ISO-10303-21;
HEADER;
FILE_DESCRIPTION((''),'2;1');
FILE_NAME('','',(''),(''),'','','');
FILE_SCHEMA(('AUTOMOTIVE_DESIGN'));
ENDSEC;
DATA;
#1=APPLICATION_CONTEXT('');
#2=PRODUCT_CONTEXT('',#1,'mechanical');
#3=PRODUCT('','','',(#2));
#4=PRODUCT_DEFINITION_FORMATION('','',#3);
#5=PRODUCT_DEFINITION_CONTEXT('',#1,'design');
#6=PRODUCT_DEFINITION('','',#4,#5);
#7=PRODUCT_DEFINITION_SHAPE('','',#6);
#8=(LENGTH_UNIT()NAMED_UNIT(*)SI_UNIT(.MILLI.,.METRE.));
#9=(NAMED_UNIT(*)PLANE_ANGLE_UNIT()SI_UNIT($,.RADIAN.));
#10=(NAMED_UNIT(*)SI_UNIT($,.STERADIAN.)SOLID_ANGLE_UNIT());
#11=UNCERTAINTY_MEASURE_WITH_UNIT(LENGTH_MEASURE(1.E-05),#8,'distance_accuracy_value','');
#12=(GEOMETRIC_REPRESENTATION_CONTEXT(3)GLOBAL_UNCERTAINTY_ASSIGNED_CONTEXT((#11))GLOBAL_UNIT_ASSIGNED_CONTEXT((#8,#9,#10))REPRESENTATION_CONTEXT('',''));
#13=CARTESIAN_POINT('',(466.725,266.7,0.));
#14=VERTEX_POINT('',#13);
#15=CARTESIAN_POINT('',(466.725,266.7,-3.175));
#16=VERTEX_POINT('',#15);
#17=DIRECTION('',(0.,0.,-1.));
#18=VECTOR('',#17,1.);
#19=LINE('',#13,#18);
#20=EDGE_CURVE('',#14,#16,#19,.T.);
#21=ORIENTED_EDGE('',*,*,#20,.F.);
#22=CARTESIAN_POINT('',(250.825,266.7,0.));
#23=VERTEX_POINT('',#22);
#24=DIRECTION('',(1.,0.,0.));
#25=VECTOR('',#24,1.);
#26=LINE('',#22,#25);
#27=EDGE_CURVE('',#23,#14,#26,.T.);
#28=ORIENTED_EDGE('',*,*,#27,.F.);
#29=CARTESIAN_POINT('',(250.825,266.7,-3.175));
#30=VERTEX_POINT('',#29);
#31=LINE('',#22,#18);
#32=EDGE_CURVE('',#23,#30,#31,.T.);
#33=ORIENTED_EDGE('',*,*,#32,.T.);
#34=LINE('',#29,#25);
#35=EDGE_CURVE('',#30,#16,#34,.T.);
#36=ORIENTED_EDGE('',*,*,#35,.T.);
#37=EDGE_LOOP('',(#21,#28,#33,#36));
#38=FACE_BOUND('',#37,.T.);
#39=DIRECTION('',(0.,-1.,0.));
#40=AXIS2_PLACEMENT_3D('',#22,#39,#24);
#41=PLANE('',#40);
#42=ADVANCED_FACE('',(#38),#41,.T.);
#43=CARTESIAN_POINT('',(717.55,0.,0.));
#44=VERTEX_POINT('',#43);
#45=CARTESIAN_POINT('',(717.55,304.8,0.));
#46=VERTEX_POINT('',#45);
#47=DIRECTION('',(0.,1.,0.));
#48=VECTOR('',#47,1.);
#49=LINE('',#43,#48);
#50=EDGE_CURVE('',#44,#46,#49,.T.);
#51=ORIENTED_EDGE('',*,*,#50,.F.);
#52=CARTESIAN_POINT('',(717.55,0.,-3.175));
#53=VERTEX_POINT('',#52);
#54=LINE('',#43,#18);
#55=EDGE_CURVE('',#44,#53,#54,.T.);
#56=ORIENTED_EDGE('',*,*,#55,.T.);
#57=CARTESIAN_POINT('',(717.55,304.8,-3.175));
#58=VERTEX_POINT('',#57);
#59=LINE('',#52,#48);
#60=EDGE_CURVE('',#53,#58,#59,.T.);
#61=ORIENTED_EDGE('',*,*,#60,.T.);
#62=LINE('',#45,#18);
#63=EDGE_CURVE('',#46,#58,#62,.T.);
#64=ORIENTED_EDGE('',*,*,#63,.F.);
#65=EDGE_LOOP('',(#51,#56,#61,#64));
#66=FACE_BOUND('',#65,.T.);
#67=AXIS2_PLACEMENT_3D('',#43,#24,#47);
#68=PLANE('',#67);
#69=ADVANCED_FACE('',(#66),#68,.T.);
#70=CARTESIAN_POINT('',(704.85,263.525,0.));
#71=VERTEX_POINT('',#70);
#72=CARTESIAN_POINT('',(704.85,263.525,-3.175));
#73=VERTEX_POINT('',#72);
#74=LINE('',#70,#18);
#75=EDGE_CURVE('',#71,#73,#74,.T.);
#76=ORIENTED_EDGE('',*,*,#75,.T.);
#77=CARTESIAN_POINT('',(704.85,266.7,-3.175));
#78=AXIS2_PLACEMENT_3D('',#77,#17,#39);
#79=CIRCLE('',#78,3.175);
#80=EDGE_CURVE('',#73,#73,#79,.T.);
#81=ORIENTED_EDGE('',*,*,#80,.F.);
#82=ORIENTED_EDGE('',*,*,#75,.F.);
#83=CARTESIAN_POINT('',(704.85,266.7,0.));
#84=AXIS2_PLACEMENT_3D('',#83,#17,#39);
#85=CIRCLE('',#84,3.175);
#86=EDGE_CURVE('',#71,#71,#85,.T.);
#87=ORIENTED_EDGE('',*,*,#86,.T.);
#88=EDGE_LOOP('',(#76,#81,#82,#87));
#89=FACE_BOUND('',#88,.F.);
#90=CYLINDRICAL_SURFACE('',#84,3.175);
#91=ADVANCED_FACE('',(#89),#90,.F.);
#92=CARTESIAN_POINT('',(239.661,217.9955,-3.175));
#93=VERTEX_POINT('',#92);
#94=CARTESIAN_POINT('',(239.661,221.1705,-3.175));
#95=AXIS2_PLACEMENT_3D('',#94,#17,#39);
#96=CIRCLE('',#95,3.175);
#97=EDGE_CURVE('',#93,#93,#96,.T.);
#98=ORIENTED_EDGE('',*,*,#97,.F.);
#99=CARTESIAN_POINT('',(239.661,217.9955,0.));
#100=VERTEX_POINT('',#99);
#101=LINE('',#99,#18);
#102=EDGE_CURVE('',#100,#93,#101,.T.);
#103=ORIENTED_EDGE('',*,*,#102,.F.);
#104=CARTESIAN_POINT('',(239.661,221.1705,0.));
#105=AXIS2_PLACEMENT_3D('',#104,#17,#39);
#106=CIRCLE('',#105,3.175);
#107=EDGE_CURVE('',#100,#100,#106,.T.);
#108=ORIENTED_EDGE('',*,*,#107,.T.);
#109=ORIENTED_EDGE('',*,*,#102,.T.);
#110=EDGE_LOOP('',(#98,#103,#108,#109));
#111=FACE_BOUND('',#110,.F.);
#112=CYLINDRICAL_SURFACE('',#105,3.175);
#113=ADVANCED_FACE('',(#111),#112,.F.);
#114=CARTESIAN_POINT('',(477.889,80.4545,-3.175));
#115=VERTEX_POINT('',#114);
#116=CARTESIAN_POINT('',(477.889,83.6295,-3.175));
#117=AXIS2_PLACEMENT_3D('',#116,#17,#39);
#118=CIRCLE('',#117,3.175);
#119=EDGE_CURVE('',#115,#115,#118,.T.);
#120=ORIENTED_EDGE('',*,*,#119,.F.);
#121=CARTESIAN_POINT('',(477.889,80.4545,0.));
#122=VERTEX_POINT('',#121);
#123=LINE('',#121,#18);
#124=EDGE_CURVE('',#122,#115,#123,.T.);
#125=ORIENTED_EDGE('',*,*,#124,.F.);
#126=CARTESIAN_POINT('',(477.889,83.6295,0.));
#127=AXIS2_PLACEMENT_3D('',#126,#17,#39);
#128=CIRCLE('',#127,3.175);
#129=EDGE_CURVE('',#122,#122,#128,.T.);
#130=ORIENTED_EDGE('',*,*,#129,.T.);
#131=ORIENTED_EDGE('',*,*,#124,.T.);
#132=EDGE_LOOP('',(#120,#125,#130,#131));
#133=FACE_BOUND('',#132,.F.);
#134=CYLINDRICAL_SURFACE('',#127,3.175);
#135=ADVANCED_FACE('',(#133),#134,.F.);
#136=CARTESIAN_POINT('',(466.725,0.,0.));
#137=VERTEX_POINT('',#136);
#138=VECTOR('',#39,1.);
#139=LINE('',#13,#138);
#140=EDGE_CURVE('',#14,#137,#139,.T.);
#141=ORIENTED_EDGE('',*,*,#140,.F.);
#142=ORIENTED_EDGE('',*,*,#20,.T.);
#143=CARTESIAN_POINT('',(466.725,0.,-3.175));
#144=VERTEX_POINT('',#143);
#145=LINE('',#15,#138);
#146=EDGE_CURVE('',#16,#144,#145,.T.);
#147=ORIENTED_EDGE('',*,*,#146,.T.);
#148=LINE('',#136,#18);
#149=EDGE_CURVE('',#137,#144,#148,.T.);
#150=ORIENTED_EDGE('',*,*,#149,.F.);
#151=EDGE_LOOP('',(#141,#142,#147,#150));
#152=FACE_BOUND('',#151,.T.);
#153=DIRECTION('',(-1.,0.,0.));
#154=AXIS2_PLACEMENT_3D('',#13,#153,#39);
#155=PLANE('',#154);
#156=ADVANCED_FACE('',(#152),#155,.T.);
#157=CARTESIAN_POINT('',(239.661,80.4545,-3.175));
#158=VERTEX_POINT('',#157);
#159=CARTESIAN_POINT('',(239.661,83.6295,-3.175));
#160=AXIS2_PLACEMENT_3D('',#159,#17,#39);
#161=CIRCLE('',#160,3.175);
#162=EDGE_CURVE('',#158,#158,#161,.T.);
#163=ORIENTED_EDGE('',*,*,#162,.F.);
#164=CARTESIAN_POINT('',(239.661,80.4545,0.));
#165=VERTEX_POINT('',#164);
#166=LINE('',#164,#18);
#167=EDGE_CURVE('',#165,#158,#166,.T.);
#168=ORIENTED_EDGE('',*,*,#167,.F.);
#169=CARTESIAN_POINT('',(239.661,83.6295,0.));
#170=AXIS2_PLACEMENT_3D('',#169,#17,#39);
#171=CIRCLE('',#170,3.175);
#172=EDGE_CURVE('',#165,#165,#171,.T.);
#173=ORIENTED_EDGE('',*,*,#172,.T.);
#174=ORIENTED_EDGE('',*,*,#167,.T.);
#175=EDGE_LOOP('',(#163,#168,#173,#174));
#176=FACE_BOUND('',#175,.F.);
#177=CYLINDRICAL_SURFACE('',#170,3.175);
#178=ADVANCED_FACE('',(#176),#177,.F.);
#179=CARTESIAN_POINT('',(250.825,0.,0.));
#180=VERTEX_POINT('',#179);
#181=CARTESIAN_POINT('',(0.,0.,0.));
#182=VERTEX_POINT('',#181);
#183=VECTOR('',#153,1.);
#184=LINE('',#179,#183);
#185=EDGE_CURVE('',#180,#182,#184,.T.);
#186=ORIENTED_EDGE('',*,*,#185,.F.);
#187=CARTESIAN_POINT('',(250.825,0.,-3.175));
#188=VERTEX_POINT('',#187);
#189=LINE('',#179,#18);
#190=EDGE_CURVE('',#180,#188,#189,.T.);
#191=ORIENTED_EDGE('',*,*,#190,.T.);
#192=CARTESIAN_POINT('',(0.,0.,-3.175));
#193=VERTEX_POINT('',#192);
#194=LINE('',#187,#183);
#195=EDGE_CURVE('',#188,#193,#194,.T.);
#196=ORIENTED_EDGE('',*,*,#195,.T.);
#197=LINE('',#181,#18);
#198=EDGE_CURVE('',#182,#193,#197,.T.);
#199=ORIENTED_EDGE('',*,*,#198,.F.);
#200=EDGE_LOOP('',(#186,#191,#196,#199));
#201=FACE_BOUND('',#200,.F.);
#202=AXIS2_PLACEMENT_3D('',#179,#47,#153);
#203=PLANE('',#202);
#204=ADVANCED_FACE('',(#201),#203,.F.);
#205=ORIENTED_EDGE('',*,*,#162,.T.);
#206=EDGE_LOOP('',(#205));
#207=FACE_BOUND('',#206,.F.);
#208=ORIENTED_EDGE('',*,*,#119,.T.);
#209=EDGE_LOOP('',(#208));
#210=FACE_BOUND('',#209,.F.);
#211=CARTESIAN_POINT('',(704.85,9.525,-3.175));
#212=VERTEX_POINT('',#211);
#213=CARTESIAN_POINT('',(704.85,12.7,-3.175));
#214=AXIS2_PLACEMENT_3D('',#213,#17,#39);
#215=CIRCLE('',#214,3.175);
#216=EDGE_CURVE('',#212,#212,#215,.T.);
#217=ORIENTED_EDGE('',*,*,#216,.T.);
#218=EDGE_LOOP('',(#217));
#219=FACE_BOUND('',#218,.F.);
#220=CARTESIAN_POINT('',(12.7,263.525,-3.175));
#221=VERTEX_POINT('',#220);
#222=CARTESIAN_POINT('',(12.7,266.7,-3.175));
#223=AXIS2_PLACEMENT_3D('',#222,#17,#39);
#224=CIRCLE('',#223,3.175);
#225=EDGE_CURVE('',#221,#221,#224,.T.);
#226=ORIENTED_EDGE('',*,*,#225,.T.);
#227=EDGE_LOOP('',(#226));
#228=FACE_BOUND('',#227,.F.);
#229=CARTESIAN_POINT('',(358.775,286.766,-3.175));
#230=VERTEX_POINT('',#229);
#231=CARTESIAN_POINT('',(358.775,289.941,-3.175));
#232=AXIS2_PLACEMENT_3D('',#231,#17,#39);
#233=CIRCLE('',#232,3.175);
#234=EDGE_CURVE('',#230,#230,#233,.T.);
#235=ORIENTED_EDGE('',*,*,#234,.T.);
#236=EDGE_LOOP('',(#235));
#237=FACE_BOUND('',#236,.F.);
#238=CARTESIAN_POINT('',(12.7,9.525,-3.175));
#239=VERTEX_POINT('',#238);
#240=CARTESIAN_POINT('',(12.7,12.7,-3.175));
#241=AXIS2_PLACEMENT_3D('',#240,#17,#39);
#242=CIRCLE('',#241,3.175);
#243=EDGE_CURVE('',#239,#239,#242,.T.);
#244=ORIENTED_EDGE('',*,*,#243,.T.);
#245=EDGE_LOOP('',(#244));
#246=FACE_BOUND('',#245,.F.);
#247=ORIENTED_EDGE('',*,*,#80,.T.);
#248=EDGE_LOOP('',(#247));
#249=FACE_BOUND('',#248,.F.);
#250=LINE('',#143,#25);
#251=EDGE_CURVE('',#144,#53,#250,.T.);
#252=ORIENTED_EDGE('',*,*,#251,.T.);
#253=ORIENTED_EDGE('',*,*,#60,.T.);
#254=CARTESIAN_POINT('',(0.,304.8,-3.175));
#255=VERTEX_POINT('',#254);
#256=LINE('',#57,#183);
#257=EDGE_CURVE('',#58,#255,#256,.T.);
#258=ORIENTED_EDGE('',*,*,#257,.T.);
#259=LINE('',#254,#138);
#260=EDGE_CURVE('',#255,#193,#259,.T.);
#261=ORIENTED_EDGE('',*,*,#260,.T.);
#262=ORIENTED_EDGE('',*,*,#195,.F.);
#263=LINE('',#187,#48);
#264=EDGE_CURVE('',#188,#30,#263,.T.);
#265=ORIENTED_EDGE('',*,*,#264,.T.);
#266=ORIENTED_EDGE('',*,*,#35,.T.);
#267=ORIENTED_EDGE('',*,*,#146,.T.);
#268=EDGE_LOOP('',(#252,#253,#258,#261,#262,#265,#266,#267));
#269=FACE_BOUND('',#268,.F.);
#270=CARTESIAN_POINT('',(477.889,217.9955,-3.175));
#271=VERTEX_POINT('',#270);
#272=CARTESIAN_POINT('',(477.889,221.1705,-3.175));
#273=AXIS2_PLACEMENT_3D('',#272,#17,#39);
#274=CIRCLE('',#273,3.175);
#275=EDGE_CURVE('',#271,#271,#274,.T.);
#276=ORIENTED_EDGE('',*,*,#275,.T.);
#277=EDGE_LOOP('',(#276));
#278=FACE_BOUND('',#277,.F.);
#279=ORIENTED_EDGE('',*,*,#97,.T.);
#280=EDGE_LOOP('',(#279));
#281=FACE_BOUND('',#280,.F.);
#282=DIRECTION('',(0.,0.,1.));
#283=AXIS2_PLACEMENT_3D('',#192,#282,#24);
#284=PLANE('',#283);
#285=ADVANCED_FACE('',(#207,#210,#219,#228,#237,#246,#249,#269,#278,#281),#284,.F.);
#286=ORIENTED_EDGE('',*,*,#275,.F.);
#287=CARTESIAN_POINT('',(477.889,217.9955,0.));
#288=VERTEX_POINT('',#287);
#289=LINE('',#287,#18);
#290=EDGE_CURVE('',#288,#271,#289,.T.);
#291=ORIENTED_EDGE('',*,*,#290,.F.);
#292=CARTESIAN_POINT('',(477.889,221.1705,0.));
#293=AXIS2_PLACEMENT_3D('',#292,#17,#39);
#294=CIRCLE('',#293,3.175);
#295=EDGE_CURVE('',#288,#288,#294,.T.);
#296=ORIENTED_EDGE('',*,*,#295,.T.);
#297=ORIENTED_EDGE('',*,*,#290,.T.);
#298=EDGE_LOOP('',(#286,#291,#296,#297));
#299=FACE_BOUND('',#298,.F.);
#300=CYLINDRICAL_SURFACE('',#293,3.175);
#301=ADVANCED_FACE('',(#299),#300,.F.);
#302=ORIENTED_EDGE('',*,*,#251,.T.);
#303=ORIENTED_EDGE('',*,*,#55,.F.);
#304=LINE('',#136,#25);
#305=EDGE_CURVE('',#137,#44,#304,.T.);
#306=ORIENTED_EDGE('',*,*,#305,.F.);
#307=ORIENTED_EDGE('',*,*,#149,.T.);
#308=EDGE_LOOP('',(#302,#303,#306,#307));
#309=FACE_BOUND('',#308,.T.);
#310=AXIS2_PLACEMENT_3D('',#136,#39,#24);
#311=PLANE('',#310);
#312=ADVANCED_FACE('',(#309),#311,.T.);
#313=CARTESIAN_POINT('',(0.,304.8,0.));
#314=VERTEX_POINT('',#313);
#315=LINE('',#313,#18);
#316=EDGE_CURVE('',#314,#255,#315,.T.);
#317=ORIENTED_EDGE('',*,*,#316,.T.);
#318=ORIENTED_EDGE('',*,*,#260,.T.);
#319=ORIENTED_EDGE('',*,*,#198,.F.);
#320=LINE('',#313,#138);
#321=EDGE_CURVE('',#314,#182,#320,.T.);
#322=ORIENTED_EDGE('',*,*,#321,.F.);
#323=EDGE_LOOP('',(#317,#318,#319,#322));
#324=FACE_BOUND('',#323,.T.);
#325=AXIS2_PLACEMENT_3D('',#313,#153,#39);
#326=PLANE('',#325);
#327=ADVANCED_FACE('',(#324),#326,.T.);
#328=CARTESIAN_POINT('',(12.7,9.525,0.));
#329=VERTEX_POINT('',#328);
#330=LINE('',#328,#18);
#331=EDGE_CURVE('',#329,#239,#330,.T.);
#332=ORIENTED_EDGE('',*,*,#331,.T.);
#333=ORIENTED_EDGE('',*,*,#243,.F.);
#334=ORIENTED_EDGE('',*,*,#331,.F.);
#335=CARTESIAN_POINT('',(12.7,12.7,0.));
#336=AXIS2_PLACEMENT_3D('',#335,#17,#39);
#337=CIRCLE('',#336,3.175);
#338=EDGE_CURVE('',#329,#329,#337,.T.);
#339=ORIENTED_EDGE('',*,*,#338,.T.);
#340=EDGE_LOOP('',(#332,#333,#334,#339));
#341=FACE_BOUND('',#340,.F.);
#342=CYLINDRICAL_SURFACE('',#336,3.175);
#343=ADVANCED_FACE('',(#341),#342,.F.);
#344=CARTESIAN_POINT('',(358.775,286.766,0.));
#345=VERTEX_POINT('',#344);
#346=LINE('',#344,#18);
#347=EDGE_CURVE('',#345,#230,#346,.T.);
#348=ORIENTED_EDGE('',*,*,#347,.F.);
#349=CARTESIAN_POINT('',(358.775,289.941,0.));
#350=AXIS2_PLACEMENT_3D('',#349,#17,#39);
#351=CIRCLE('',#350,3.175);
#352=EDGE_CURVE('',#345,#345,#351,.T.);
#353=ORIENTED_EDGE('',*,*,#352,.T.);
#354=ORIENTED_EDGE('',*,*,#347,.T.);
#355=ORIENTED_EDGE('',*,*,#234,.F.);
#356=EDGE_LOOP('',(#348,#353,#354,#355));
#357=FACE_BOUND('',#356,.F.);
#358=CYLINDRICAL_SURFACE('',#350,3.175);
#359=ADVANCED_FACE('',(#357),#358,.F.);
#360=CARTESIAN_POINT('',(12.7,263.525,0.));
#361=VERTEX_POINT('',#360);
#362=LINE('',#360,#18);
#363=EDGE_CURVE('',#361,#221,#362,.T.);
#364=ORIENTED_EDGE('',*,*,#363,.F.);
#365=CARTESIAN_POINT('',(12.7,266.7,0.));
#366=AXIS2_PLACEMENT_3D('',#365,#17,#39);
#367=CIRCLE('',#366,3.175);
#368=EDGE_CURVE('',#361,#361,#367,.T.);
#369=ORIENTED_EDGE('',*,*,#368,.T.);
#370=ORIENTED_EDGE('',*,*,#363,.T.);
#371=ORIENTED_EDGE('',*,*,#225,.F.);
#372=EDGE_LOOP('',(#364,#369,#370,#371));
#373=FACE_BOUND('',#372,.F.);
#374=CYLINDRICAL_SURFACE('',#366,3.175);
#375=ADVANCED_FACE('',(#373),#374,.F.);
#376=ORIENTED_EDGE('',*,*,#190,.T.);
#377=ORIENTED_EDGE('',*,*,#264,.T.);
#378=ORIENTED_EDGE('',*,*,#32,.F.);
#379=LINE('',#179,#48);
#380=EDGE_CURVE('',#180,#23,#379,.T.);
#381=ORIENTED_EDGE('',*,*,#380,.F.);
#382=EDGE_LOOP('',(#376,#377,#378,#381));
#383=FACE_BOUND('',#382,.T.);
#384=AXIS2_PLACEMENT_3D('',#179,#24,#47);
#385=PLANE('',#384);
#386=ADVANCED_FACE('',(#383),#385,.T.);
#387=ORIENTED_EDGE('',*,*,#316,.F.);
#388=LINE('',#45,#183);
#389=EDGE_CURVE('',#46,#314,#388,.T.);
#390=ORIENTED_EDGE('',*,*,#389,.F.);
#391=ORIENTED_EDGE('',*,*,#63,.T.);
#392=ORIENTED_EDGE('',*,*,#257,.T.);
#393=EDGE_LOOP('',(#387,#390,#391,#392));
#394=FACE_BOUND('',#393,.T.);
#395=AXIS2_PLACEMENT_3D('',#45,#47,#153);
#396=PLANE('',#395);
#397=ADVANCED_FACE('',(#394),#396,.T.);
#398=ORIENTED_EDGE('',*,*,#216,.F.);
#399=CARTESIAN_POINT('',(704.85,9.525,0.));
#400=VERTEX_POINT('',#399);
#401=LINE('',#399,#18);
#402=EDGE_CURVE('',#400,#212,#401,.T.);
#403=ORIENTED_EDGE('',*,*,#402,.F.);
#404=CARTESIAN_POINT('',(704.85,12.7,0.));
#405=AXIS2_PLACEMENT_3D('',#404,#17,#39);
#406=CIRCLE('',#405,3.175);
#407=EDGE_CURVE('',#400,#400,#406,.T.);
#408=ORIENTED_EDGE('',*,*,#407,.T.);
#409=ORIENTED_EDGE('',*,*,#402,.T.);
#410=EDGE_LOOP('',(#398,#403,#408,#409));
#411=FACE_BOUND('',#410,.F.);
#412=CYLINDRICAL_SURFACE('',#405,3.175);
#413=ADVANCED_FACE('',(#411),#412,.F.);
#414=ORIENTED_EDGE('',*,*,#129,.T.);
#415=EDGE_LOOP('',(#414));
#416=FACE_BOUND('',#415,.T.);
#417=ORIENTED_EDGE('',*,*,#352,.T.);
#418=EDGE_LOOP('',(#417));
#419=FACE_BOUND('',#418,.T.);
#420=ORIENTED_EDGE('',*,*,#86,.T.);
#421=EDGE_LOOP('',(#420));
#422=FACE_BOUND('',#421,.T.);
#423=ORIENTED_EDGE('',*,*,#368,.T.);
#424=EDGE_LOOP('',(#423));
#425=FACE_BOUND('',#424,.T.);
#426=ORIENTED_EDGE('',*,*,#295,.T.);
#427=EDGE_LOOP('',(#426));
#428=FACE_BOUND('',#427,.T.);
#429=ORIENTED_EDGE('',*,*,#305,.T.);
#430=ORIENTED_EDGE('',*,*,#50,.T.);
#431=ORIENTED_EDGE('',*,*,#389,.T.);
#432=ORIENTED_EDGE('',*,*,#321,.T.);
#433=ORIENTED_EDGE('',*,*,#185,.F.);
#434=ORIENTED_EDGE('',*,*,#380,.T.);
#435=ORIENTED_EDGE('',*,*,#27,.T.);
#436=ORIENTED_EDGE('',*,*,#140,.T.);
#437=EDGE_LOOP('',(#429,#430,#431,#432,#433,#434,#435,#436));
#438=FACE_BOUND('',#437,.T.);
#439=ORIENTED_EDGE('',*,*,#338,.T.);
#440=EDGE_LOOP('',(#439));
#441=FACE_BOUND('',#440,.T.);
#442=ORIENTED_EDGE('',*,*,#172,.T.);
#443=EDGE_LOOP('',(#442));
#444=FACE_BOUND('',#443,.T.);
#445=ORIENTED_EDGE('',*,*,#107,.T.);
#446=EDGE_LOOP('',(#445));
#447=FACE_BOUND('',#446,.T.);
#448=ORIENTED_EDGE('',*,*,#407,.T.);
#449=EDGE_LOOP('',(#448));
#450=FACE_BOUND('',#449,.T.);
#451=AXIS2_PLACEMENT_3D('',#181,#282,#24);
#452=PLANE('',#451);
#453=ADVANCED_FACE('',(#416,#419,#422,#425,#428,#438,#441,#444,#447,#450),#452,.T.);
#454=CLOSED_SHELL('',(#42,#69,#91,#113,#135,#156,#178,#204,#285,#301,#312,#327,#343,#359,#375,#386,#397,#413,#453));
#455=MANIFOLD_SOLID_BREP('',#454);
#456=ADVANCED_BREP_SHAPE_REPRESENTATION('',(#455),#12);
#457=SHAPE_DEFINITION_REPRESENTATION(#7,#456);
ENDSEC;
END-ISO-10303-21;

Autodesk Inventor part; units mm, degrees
ref_plane "YZ Plane" through (0, 0, 0) normal (1, 0, 0) x (0, 1, 0)
ref_plane "XZ Plane" through (0, 0, 0) normal (0, 1, 0) x (-1, 0, 0)
ref_plane "XY Plane" through (0, 0, 0) normal (0, 0, 1) x (1, 0, 0)
sketch "Sketch1" plane through (0, 0, 0) normal (0, 0, 1) x (1, 0, 0)
  line L0 (717.55, 0) -> (717.55, 304.8)
  line L1 (717.55, 304.8) -> (0, 304.8)
  line L2 (0, 304.8) -> (0, 0)
  line L3 (250.825, 0) -> (250.825, 266.7)
  line L4 (250.825, 266.7) -> (466.725, 266.7)
  line L5 (466.725, 266.7) -> (466.725, 0)
  line L6 (466.725, 0) -> (717.55, 0)
  line L7 (250.825, 0) -> (0, 0)
  point P0 (358.775, 152.4)
  point P1 (358.775, 289.941)
  point P2 (239.661, 221.1705)
  point P3 (239.661, 83.6295)
  point P4 (358.775, 14.859)
  point P5 (477.889, 83.6295)
  point P6 (477.889, 221.1705)
  point P7 (12.7, 266.7)
  point P8 (12.7, 12.7)
  point P9 (704.85, 12.7)
  point P10 (704.85, 266.7)
  dimension "d0" = 717.55
  dimension "d1" = 304.8
  dimension "d2" = 358.775
  dimension "d3" = 152.4
  dimension "d4" = 137.541
  dimension "d7" = 360
  dimension "d11" = 38.1
  dimension "d21" = 38.1
  dimension "d22" = 12.7
  dimension "d23" = 12.7
  dimension "d24" = 12.7
  dimension "d25" = 12.7
  dimension "d26" = 12.7
  dimension "d27" = 12.7
  dimension "d28" = 38.1
  dimension "d36" = 107.95
  dimension "d37" = 107.95
extrude "Extrusion1" add sketch "Sketch1" against normal blind 3.175
hole "Hole1" at (358.775, 152.4, 0) at (358.775, 289.941, 0) at (239.661, 221.1705, 0) at (239.661, 83.6295, 0) at (358.775, 14.859, 0) at (477.889, 83.6295, 0) at (477.889, 221.1705, 0) direction (0, 0, -1) diameter 6.35 depth 25.4 tip angle 118
hole "Hole2" at (12.7, 266.7, 0) at (12.7, 12.7, 0) at (704.85, 12.7, 0) at (704.85, 266.7, 0) direction (0, 0, -1) diameter 6.35 depth 25.4 tip angle 118
properties part number "top plate"
